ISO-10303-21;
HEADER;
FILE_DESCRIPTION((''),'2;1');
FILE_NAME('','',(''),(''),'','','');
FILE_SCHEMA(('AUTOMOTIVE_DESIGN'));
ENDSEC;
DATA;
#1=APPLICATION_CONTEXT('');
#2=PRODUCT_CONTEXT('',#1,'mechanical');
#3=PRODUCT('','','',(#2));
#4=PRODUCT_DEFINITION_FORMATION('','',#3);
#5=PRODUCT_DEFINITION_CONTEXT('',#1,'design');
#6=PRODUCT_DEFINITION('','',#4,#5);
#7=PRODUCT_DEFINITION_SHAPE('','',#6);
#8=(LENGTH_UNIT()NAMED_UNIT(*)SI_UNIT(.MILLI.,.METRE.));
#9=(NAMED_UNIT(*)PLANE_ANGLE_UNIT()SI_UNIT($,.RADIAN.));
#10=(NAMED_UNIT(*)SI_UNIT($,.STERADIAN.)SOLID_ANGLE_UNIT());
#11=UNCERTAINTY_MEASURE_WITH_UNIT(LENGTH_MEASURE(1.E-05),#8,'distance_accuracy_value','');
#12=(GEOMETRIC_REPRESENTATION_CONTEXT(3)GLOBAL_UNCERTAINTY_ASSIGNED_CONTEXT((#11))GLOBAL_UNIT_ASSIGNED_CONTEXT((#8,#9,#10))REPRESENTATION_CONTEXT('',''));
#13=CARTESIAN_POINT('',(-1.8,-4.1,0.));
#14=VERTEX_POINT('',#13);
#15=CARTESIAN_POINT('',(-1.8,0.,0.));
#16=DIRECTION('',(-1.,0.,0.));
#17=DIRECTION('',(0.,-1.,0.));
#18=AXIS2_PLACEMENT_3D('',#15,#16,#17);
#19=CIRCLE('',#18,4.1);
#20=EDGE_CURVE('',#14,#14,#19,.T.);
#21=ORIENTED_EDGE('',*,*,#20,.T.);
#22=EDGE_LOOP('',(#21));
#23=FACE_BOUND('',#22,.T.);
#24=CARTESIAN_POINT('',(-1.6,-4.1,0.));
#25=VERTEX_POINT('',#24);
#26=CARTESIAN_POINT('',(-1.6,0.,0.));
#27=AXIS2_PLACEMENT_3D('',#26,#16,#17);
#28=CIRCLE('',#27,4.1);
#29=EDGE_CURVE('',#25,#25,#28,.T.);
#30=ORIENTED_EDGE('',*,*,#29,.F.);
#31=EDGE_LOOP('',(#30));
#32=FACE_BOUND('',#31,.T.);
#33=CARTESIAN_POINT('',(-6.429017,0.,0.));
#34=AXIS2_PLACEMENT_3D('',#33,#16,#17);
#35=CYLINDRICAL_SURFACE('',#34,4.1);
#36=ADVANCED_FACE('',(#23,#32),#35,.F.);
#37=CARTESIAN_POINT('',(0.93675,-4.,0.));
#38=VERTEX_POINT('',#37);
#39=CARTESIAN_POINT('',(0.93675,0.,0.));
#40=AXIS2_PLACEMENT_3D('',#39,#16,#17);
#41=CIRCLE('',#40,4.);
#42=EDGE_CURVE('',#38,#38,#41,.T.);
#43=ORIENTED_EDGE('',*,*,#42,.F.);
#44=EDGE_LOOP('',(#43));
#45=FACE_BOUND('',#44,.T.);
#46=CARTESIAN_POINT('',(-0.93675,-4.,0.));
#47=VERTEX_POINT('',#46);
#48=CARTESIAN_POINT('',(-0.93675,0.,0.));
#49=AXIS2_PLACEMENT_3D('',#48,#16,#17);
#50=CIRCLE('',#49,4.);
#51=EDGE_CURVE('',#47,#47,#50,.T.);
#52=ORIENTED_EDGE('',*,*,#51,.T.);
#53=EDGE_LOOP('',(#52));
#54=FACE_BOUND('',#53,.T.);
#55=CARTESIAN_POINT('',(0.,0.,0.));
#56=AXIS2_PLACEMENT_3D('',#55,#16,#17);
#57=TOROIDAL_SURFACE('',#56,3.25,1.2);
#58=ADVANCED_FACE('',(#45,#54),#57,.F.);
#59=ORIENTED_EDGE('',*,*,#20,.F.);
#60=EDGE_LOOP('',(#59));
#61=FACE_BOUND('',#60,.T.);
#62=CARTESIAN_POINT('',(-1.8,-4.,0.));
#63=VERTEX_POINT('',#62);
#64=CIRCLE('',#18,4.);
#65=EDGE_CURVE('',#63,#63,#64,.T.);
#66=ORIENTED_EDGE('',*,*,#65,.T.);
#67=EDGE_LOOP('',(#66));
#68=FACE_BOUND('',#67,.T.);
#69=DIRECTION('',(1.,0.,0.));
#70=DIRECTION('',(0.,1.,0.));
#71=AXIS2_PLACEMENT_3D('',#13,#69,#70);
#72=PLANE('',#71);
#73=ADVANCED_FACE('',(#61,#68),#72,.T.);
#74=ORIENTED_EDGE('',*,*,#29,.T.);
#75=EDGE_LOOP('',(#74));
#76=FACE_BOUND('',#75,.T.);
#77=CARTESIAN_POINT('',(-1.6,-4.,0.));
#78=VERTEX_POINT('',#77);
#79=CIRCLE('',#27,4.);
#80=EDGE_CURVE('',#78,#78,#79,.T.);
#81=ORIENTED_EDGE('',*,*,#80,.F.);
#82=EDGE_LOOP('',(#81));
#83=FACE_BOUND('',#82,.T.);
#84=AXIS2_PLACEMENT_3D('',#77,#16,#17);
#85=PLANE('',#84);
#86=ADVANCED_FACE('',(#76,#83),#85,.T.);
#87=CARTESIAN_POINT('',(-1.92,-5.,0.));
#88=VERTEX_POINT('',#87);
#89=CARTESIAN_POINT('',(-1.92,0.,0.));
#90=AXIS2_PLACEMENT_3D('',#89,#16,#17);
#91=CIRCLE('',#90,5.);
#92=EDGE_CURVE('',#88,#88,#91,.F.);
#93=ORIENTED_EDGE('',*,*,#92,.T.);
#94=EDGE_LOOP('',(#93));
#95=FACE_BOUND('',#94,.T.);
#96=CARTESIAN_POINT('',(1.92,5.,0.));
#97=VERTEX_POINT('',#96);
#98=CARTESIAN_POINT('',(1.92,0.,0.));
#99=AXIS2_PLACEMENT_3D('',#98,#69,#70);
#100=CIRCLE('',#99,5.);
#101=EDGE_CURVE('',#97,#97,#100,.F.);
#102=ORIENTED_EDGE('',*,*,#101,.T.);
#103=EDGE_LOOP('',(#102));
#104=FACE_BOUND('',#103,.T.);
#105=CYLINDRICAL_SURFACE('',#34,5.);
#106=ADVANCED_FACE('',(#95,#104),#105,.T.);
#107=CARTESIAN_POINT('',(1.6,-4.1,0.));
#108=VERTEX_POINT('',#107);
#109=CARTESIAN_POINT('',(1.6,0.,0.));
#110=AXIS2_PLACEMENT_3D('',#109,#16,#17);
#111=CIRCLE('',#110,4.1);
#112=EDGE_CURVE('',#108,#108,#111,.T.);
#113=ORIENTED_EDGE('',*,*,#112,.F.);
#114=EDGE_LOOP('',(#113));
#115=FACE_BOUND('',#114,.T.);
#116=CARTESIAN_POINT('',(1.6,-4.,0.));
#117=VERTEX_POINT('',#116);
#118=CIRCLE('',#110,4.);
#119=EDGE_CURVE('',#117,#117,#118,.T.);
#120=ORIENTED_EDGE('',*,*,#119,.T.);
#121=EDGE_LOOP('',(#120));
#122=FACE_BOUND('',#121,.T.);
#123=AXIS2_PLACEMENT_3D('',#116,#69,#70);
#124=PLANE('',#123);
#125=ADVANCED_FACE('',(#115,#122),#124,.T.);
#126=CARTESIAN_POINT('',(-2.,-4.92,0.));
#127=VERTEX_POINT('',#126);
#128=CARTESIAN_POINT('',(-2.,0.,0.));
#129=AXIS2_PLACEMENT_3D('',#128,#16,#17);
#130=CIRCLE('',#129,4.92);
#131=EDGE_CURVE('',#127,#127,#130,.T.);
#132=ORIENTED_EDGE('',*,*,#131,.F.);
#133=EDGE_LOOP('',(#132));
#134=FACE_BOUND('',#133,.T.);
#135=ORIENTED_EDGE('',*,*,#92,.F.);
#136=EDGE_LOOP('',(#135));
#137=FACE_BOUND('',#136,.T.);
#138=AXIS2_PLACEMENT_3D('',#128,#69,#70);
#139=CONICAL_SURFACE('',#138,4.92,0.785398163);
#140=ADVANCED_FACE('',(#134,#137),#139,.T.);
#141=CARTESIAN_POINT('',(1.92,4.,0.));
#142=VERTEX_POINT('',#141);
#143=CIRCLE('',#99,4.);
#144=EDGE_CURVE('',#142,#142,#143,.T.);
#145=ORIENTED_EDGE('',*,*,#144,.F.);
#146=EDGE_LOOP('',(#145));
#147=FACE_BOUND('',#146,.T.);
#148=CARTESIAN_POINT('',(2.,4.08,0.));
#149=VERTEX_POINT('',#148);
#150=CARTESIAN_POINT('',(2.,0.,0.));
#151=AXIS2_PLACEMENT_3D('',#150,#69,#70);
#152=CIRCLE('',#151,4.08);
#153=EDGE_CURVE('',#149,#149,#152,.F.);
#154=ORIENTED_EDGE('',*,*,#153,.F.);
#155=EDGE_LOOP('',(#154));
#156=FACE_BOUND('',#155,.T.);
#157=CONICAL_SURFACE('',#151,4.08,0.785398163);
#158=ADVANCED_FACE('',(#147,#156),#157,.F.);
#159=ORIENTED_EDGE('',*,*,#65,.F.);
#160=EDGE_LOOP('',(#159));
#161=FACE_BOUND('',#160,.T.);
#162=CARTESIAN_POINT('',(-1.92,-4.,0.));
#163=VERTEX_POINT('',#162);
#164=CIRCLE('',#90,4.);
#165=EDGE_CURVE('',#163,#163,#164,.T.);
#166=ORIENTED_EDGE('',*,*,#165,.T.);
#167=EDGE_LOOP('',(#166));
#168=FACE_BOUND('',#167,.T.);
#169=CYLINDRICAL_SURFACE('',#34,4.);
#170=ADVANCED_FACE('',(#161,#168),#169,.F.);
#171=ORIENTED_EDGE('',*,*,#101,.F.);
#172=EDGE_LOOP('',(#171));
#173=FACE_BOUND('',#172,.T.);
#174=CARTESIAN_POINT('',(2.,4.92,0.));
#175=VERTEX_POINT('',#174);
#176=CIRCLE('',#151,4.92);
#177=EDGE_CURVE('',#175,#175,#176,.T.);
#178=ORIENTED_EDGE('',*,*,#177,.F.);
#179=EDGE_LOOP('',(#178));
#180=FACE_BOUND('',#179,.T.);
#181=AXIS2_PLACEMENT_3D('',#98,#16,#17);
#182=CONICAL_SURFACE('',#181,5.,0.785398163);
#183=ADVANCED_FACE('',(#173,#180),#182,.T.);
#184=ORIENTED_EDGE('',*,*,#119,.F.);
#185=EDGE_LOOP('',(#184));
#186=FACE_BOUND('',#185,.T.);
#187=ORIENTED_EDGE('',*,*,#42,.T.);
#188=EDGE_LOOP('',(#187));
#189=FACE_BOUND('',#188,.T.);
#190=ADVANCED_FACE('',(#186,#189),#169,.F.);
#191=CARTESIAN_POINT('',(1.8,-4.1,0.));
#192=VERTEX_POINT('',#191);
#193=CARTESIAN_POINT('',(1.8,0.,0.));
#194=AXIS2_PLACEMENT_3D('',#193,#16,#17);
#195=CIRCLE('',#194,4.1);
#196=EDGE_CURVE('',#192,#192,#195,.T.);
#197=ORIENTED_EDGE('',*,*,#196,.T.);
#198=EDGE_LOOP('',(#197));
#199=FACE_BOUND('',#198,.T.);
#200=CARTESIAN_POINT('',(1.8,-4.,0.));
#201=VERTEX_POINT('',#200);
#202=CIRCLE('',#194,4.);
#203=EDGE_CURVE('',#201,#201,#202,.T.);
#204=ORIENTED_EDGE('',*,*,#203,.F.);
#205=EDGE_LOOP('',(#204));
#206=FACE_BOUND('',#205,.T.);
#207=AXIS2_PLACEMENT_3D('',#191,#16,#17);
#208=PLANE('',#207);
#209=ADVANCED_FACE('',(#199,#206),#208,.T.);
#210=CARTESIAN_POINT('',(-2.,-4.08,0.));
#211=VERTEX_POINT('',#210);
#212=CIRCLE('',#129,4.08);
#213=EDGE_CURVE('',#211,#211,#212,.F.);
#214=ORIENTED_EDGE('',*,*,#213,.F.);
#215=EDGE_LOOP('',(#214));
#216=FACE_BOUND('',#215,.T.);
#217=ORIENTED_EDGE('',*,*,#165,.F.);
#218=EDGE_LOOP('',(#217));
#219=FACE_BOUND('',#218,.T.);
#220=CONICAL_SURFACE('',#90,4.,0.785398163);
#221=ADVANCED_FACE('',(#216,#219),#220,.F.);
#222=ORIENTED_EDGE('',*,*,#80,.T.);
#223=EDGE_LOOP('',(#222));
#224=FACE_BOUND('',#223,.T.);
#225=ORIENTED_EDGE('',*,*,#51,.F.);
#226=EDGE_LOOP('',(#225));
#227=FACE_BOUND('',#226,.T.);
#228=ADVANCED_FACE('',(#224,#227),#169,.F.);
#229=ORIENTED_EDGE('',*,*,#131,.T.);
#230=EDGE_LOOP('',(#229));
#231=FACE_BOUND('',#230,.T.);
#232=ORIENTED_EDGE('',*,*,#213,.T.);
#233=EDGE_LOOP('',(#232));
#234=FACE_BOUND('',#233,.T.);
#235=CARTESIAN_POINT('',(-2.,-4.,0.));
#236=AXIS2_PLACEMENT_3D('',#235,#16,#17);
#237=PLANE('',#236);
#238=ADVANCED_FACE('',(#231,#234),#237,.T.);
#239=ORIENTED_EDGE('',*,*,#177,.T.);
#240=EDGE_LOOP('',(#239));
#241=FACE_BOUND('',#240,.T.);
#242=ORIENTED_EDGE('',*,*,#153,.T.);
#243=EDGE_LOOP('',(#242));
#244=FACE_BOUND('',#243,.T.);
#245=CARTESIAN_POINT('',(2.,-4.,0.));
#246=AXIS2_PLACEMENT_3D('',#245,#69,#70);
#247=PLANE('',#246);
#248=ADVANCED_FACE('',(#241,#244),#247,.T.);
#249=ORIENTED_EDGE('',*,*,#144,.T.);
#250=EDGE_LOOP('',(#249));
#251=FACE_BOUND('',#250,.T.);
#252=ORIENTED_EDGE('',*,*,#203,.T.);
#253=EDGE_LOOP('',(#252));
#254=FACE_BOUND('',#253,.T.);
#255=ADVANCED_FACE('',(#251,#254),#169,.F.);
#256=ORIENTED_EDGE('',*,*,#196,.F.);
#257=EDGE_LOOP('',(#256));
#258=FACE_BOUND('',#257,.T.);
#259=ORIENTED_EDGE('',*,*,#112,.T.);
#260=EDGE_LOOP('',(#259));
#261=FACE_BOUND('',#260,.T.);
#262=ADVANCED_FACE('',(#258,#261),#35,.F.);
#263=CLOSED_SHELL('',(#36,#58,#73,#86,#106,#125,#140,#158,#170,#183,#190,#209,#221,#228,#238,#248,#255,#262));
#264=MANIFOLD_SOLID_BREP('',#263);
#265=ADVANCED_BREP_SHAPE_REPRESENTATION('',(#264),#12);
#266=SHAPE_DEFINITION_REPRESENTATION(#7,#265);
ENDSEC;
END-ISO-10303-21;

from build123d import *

# Parameters (mm, degrees)
CHAMFER1_SIZE = 0.08


with BuildPart() as part:
    # Sketch1 → Revolve1 (revolve)
    with BuildSketch(Plane.XY):
        with BuildLine():
            Line((-1.6, -4), (-0.9367497, -4))
            ThreePointArc((-0.9367497, -4), (0, -4.45), (0.9367497, -4))
            Line((0.9367497, -4), (1.6, -4))
            Line((1.6, -4), (1.6, -4.1))
            Line((1.6, -4.1), (1.8, -4.1))
            Line((1.8, -4.1), (1.8, -4))
            Line((1.8, -4), (2, -4))
            Line((2, -4), (2, -5))
            Line((2, -5), (-2, -5))
            Line((-2, -5), (-2, -4))
            Line((-2, -4), (-1.8, -4))
            Line((-1.8, -4), (-1.8, -4.1))
            Line((-1.8, -4.1), (-1.6, -4.1))
            Line((-1.6, -4.1), (-1.6, -4))
        make_face()
    revolve(axis=Axis((-6.429017492, 0, 0), (1, 0, 0)))

    # Chamfer1
    chamfer1_edges = [part.edges().sort_by_distance(p)[0] for p in [
        (2, 5, 0),
        (-2, 5, 0),
        (-2, 4, 0),
        (2, 4, 0),
    ]]
    chamfer(chamfer1_edges, length=CHAMFER1_SIZE)


solid = part.part
